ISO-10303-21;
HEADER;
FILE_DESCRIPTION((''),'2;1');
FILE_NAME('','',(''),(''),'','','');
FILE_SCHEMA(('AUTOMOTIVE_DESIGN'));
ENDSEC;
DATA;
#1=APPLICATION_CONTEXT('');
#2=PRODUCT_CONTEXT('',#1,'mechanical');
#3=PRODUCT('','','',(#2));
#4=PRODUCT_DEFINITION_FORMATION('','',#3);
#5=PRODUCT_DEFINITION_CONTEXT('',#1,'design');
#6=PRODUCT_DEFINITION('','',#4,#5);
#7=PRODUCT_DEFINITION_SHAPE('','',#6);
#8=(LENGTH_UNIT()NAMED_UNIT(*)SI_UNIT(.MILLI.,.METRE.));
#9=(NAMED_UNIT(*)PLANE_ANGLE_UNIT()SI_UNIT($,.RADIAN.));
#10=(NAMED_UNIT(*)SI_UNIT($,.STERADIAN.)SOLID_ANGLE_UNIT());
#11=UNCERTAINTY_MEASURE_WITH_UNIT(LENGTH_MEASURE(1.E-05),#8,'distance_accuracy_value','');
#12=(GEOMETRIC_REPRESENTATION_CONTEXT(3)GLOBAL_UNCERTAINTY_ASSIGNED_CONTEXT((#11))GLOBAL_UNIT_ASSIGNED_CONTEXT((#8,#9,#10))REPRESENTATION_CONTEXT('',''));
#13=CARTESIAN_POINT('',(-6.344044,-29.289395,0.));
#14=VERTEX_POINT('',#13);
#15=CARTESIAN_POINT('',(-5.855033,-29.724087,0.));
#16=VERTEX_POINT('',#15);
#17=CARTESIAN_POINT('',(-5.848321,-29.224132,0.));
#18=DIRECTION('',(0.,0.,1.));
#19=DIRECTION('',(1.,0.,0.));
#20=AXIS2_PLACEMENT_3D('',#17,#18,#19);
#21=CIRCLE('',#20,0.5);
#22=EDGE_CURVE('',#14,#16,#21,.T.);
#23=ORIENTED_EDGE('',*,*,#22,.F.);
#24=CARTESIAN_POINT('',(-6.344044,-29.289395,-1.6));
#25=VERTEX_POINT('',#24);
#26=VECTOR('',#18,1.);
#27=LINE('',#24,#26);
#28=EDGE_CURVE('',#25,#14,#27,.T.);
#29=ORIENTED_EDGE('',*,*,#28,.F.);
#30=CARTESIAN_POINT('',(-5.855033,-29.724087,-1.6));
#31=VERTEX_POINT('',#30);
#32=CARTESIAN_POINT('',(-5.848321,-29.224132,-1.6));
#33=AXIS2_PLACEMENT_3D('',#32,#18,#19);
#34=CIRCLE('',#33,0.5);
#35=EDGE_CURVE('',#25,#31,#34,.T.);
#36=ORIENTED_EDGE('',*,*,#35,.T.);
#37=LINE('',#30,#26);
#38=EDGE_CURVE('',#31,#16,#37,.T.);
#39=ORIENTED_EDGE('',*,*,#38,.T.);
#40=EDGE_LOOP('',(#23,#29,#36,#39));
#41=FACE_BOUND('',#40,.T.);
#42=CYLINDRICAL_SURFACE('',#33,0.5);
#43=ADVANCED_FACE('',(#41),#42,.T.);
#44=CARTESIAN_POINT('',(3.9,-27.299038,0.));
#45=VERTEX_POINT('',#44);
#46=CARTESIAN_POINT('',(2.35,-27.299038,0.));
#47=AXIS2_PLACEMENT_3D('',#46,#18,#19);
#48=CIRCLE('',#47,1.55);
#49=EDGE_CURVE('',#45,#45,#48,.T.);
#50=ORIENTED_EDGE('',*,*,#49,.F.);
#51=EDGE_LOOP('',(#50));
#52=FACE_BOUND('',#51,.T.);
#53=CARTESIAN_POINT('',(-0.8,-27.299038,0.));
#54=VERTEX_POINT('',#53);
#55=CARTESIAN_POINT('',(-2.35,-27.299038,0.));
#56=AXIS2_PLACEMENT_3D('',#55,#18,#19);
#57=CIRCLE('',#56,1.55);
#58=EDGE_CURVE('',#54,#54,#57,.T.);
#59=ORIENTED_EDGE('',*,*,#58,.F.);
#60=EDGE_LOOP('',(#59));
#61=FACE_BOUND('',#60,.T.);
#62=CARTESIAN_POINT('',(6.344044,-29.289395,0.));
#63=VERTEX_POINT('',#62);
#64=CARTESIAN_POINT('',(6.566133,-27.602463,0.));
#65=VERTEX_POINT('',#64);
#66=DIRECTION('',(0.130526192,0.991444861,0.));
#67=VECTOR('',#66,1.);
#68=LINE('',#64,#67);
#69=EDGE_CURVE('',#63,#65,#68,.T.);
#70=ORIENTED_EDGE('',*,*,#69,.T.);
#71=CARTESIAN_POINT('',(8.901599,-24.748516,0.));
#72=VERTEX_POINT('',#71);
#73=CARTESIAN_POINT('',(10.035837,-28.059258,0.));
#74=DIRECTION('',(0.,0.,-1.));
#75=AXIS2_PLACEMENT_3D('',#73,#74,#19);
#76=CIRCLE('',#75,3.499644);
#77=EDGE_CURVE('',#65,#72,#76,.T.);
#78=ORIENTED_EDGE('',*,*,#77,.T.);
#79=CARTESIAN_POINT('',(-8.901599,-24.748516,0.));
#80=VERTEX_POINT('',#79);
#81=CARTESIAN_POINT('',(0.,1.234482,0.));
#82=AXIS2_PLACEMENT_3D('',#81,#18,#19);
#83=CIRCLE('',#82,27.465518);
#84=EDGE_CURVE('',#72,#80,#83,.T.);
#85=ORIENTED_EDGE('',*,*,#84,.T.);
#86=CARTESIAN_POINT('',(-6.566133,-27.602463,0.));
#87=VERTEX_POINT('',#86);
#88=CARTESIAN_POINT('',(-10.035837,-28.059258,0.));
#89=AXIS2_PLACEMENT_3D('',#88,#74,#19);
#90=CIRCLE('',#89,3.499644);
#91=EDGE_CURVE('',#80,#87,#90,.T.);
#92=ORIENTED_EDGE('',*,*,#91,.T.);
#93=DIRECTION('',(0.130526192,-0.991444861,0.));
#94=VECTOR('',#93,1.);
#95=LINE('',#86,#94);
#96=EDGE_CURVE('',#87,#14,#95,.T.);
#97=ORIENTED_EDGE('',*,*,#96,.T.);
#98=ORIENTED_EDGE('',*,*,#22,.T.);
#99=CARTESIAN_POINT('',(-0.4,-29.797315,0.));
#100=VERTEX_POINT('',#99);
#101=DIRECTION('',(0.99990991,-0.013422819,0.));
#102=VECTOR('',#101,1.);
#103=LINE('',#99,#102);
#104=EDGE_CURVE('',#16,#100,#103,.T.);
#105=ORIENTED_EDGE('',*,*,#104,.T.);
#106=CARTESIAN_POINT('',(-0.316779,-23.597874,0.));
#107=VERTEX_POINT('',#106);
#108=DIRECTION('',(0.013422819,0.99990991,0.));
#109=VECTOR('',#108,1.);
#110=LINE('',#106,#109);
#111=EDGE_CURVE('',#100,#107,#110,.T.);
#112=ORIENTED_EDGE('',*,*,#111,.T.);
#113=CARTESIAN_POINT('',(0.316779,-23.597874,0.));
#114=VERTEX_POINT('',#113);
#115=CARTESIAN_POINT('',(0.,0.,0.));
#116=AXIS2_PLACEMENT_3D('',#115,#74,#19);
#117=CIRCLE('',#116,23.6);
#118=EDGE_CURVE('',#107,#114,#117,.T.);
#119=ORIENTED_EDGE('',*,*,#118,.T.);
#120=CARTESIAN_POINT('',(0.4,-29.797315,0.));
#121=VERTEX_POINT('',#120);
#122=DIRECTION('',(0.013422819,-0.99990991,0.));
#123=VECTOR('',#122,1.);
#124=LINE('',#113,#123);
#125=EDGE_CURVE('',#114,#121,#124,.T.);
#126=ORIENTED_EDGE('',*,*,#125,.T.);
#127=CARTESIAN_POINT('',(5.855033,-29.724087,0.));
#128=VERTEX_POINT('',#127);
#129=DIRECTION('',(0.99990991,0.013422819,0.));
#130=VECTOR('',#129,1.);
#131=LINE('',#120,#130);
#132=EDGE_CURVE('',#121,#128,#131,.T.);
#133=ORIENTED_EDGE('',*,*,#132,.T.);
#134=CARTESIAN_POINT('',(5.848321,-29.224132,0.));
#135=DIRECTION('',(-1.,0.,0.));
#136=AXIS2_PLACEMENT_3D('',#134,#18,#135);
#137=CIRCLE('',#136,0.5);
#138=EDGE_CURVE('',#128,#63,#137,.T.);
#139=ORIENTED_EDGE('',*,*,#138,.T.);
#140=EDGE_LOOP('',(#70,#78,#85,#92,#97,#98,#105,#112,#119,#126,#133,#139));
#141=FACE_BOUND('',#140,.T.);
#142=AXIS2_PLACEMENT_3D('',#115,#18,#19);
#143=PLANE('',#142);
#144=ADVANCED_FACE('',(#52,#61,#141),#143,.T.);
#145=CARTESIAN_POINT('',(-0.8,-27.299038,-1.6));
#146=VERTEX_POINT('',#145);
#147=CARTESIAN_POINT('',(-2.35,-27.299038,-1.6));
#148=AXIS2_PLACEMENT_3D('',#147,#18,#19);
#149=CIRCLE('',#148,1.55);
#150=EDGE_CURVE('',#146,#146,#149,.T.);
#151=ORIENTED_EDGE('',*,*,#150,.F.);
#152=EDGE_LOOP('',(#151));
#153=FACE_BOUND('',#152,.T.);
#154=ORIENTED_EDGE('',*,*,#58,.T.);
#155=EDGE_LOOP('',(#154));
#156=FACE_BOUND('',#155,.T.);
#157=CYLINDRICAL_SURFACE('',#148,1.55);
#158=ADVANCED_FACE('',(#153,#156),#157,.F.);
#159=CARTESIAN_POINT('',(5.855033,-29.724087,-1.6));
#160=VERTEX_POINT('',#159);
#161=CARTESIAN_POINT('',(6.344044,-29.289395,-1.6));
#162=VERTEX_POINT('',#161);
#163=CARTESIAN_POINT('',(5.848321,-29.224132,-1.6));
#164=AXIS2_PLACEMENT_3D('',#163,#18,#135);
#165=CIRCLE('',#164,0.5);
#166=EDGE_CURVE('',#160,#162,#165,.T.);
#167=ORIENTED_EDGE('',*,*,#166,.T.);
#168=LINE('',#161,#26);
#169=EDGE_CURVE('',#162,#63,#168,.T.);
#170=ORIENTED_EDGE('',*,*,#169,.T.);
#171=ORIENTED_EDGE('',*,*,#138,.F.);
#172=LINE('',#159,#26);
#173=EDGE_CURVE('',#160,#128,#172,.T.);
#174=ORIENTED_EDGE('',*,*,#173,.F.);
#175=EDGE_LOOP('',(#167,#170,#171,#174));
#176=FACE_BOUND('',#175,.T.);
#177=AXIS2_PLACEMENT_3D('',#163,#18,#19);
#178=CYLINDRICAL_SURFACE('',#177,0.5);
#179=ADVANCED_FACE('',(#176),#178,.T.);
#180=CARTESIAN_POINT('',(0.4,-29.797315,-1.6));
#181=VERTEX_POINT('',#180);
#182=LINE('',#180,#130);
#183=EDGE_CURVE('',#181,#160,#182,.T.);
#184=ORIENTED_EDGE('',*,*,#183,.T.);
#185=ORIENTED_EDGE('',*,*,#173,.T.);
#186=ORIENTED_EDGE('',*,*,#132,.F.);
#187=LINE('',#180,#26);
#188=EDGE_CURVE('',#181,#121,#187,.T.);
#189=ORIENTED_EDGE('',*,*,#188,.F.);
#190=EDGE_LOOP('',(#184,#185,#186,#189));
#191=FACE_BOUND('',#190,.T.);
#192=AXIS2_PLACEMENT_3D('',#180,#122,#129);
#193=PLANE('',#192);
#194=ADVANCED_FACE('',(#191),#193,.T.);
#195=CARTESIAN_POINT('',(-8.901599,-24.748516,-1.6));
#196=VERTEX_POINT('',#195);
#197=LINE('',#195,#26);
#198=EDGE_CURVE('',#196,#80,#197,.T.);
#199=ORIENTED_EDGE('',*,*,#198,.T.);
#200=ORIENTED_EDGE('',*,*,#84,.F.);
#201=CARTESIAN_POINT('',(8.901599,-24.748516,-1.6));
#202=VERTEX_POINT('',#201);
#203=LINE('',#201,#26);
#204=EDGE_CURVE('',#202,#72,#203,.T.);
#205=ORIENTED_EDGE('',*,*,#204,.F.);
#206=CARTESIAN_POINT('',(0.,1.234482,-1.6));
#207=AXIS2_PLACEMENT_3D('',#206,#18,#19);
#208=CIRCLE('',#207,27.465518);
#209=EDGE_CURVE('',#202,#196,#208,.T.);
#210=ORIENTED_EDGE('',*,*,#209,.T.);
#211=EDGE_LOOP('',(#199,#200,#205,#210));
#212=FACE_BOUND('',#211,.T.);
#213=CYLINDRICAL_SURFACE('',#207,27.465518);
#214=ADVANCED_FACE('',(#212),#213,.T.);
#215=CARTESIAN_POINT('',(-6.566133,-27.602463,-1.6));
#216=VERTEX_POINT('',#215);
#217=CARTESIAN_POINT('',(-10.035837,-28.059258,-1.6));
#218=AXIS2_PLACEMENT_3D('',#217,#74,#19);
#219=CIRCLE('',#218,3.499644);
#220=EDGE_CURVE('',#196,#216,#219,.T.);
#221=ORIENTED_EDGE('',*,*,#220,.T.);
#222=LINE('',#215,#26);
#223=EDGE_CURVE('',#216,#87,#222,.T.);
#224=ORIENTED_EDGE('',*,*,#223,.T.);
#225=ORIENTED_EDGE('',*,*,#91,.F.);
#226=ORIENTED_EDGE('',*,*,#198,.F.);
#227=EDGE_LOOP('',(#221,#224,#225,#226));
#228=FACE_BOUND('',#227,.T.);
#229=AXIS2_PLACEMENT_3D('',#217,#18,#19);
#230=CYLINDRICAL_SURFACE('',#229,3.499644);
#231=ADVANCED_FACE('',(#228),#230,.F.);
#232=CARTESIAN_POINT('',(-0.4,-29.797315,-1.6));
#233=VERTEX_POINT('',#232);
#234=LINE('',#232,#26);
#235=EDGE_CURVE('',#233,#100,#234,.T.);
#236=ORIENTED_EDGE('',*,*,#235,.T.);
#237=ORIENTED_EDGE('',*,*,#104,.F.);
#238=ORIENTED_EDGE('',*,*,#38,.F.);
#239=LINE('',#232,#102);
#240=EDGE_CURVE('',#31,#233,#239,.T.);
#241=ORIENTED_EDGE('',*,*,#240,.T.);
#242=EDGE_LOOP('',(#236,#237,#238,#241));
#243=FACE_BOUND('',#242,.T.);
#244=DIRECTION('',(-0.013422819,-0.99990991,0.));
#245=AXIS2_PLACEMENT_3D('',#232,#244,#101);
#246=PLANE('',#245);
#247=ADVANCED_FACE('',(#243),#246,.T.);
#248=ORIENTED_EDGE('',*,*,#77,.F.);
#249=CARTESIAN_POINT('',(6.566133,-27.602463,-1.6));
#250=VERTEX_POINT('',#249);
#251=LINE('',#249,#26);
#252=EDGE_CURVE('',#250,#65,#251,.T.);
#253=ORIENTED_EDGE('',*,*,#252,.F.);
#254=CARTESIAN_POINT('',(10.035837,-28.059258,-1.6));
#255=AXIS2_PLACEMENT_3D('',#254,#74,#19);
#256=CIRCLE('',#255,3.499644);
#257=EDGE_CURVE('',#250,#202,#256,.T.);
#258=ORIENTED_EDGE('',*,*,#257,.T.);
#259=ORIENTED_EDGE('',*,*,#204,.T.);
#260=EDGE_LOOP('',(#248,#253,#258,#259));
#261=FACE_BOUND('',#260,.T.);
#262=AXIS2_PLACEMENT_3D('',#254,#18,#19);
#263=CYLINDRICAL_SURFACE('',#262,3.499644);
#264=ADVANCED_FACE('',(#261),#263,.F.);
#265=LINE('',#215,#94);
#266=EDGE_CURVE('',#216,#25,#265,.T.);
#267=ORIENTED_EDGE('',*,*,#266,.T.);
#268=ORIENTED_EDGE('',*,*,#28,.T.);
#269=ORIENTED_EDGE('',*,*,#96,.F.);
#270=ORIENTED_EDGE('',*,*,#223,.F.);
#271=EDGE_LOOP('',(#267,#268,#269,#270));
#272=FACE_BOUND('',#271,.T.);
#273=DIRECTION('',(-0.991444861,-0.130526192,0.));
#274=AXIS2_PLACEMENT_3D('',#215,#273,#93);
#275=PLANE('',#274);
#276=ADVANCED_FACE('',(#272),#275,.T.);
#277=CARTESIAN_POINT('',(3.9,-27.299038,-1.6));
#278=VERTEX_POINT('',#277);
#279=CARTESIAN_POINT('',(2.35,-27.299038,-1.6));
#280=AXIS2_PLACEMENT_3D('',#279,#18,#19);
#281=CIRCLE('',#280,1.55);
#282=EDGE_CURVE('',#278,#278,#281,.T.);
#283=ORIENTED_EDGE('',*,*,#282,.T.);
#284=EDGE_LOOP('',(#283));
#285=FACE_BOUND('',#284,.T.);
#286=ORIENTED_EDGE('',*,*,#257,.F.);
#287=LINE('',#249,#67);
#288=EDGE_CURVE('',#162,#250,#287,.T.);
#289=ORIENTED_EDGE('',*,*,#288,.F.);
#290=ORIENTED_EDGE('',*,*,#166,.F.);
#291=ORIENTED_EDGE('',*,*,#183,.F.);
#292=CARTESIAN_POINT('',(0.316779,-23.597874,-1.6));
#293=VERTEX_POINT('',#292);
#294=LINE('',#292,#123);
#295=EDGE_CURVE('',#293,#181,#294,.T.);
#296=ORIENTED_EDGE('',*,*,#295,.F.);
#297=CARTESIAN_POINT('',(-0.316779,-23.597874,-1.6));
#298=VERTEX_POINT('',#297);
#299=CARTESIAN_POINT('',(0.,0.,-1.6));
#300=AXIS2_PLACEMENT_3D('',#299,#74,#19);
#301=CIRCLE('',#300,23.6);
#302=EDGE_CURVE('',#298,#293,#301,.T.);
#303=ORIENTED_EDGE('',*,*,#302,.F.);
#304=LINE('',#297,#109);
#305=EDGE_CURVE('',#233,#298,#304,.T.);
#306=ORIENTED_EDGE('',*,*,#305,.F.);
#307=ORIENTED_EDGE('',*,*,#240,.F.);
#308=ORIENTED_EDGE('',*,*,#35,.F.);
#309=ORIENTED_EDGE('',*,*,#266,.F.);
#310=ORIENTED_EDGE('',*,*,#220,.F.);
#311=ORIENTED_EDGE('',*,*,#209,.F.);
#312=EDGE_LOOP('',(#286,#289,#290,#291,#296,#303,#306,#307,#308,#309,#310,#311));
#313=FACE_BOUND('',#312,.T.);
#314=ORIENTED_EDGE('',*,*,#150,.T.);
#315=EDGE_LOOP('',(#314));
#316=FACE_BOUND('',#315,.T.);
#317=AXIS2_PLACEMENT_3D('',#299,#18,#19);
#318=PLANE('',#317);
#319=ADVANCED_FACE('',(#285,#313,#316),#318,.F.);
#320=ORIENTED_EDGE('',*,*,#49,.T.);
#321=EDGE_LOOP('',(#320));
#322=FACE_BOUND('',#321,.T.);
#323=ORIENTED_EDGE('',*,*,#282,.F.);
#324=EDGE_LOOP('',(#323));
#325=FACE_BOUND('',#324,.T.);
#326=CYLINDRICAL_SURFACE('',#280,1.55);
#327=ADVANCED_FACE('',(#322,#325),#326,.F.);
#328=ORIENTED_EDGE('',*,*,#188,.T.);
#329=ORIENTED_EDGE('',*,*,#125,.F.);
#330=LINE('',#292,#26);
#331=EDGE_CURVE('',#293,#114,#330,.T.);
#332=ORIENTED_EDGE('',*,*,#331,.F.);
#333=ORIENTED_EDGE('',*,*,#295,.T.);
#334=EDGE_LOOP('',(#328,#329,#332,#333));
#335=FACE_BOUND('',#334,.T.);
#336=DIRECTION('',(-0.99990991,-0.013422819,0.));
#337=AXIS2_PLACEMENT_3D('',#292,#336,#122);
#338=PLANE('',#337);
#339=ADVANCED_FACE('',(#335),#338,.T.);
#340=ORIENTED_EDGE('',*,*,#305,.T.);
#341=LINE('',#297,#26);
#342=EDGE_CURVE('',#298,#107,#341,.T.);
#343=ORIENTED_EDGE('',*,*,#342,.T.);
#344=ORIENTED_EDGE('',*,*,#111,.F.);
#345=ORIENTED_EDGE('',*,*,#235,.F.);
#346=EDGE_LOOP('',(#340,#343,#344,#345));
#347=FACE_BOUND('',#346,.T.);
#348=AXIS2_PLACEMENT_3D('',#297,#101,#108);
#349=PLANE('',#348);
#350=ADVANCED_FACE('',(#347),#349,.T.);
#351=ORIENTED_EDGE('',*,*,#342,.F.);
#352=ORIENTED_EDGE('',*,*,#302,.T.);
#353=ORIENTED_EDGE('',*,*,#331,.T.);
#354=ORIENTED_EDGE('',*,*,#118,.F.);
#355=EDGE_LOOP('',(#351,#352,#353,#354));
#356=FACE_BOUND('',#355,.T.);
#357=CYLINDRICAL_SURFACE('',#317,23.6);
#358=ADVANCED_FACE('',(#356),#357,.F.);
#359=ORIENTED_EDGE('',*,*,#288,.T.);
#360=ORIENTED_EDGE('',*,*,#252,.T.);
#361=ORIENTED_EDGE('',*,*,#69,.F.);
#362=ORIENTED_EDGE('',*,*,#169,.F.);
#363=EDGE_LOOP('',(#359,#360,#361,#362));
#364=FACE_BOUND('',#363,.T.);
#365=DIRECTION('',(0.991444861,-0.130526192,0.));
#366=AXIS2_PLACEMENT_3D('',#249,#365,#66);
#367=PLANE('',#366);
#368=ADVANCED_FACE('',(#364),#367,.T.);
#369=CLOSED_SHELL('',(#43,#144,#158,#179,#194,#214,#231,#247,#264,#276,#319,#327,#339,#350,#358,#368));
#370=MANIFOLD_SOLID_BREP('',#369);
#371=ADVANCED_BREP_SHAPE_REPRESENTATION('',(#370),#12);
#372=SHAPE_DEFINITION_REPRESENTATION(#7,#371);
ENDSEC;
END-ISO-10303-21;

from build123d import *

# Parameters (mm, degrees)
BODYSKE_R  = 1.55
BODY_DEPTH = 1.6


with BuildPart() as part:
    # BodySke → Body (new body)
    with BuildSketch(Plane.XY):
        with BuildLine():
            Line((0.316778523, -23.597873874), (0.4, -29.797315315))
            Line((0.4, -29.797315315), (5.855032724, -29.724086802))
            ThreePointArc((5.855032724, -29.724086802), (6.180509806, -29.597830665), (6.344043745, -29.289394944))
            Line((6.344043745, -29.289394944), (6.56613254, -27.602463064))
            ThreePointArc((6.56613254, -27.602463064), (7.327456488, -25.842913161), (8.901599048, -24.748515967))
            ThreePointArc((8.901599048, -24.748515967), (0, 28.7), (-8.901599048, -24.748515967))
            ThreePointArc((-8.901599048, -24.748515967), (-7.327456488, -25.842913161), (-6.56613254, -27.602463064))
            Line((-6.56613254, -27.602463064), (-6.344043745, -29.289394944))
            ThreePointArc((-6.344043745, -29.289394944), (-6.180509806, -29.597830665), (-5.855032724, -29.724086802))
            Line((-5.855032724, -29.724086802), (-0.4, -29.797315315))
            Line((-0.4, -29.797315315), (-0.316778523, -23.597873874))
            ThreePointArc((-0.316778523, -23.597873874), (0, 23.6), (0.316778523, -23.597873874))
        make_face()
        with Locations((2.35, -27.299038445)):
            Circle(BODYSKE_R, mode=Mode.SUBTRACT)
        with Locations((-2.35, -27.299038445)):
            Circle(BODYSKE_R, mode=Mode.SUBTRACT)
    extrude(amount=-BODY_DEPTH)


solid = part.part
